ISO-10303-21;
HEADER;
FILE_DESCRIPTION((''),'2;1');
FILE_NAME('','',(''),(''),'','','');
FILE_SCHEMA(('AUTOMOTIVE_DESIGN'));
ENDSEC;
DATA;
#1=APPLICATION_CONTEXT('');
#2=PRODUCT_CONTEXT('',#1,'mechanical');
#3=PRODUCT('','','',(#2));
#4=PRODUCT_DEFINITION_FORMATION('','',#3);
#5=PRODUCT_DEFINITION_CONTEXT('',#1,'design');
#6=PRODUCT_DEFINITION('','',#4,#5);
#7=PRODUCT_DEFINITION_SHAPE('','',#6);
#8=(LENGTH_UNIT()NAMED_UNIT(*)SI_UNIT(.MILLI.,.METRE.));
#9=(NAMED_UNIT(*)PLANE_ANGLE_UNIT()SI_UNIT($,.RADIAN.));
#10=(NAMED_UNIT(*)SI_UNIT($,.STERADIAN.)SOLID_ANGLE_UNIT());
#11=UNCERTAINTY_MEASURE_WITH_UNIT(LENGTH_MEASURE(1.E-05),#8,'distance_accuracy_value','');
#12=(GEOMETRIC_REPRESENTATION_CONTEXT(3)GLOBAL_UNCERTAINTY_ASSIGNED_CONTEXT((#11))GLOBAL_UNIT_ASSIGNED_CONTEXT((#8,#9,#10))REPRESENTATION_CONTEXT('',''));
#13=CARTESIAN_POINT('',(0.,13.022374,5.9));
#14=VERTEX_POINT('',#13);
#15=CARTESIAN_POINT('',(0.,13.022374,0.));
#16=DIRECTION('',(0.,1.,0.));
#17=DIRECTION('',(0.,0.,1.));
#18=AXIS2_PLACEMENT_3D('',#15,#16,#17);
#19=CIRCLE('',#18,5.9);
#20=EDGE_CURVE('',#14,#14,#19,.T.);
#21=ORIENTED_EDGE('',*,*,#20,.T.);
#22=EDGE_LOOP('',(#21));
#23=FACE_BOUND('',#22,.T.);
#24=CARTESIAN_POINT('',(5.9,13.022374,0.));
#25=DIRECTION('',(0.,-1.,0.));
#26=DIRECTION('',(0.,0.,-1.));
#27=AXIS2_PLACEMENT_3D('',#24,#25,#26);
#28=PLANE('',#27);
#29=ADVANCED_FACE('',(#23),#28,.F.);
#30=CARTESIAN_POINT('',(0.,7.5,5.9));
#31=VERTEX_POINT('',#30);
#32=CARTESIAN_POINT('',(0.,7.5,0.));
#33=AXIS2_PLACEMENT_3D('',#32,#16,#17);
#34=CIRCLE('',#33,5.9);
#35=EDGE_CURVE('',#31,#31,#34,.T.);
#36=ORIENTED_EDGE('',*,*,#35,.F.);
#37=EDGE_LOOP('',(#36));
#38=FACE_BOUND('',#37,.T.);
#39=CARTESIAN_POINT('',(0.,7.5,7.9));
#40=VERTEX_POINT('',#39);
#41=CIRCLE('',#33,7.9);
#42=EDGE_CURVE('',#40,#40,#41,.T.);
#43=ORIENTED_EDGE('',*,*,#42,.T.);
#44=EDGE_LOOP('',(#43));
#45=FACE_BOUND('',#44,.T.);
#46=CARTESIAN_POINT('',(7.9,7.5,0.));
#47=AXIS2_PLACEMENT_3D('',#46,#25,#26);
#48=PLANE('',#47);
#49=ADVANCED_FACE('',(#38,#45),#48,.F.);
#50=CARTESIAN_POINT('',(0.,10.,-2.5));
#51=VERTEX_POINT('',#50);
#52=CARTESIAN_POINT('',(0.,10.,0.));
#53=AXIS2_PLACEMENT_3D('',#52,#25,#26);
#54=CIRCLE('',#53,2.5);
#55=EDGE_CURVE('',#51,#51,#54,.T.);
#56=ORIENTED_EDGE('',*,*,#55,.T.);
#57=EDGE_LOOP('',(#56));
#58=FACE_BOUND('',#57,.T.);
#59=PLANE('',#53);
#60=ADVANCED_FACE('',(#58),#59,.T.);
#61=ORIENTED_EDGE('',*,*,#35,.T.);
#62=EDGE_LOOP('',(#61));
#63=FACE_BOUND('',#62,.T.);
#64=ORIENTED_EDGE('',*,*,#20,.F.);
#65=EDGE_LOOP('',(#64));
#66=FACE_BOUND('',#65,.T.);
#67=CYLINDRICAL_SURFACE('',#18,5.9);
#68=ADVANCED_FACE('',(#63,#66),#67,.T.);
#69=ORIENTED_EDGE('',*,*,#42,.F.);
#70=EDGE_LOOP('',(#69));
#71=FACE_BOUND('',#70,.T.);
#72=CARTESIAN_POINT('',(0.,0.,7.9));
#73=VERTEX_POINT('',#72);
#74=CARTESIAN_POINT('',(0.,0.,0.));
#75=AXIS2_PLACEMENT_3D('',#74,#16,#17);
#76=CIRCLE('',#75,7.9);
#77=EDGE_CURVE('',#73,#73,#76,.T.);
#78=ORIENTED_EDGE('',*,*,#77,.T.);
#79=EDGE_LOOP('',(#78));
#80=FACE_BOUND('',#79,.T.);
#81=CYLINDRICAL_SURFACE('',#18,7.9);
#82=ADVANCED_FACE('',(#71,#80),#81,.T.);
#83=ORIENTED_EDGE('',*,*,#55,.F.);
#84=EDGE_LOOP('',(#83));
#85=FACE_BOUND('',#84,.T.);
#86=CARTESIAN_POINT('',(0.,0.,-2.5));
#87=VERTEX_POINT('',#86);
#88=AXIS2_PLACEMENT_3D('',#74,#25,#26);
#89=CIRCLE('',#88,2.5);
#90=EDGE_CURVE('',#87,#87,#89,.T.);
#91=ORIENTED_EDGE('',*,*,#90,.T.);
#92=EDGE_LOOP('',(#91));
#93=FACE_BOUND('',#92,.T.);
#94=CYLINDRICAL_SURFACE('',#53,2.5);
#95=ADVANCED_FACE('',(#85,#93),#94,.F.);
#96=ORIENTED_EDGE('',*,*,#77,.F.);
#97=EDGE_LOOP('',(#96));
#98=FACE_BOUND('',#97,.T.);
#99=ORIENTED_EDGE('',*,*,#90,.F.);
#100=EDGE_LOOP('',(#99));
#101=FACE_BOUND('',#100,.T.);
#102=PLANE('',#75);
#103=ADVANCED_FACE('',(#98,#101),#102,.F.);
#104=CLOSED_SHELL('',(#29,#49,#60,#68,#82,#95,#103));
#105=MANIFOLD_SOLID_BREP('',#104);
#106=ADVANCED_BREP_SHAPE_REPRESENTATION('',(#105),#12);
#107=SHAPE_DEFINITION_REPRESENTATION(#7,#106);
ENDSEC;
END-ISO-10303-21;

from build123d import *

# Parameters (mm, degrees)
SKETCH2_R          = 2.5
CUT_EXTRUDE1_DEPTH = 10


with BuildPart() as part:
    # Sketch1 → Revolve1 (revolve)
    with BuildSketch(Plane.XY, mode=Mode.PRIVATE) as revolve1_sk:
        Polygon((0, 0), (7.9, 0), (7.9, 7.5), (5.9, 7.5), (5.9, 13.022374429), (0, 13.022374429), align=None)
    revolve(revolve1_sk.sketch.rotate(Axis((0, 13.022374429, 0), (0, -1, 0)), 90), axis=Axis((0, 13.022374429, 0), (0, -1, 0)))

    # Sketch2 → Cut-Extrude1 (cut)
    with BuildSketch(Plane.XZ):
        with Locations(Location((0, 0, 0), (0, 0, 270))):
            Circle(SKETCH2_R)
    extrude(amount=-CUT_EXTRUDE1_DEPTH, mode=Mode.SUBTRACT)


solid = part.part
